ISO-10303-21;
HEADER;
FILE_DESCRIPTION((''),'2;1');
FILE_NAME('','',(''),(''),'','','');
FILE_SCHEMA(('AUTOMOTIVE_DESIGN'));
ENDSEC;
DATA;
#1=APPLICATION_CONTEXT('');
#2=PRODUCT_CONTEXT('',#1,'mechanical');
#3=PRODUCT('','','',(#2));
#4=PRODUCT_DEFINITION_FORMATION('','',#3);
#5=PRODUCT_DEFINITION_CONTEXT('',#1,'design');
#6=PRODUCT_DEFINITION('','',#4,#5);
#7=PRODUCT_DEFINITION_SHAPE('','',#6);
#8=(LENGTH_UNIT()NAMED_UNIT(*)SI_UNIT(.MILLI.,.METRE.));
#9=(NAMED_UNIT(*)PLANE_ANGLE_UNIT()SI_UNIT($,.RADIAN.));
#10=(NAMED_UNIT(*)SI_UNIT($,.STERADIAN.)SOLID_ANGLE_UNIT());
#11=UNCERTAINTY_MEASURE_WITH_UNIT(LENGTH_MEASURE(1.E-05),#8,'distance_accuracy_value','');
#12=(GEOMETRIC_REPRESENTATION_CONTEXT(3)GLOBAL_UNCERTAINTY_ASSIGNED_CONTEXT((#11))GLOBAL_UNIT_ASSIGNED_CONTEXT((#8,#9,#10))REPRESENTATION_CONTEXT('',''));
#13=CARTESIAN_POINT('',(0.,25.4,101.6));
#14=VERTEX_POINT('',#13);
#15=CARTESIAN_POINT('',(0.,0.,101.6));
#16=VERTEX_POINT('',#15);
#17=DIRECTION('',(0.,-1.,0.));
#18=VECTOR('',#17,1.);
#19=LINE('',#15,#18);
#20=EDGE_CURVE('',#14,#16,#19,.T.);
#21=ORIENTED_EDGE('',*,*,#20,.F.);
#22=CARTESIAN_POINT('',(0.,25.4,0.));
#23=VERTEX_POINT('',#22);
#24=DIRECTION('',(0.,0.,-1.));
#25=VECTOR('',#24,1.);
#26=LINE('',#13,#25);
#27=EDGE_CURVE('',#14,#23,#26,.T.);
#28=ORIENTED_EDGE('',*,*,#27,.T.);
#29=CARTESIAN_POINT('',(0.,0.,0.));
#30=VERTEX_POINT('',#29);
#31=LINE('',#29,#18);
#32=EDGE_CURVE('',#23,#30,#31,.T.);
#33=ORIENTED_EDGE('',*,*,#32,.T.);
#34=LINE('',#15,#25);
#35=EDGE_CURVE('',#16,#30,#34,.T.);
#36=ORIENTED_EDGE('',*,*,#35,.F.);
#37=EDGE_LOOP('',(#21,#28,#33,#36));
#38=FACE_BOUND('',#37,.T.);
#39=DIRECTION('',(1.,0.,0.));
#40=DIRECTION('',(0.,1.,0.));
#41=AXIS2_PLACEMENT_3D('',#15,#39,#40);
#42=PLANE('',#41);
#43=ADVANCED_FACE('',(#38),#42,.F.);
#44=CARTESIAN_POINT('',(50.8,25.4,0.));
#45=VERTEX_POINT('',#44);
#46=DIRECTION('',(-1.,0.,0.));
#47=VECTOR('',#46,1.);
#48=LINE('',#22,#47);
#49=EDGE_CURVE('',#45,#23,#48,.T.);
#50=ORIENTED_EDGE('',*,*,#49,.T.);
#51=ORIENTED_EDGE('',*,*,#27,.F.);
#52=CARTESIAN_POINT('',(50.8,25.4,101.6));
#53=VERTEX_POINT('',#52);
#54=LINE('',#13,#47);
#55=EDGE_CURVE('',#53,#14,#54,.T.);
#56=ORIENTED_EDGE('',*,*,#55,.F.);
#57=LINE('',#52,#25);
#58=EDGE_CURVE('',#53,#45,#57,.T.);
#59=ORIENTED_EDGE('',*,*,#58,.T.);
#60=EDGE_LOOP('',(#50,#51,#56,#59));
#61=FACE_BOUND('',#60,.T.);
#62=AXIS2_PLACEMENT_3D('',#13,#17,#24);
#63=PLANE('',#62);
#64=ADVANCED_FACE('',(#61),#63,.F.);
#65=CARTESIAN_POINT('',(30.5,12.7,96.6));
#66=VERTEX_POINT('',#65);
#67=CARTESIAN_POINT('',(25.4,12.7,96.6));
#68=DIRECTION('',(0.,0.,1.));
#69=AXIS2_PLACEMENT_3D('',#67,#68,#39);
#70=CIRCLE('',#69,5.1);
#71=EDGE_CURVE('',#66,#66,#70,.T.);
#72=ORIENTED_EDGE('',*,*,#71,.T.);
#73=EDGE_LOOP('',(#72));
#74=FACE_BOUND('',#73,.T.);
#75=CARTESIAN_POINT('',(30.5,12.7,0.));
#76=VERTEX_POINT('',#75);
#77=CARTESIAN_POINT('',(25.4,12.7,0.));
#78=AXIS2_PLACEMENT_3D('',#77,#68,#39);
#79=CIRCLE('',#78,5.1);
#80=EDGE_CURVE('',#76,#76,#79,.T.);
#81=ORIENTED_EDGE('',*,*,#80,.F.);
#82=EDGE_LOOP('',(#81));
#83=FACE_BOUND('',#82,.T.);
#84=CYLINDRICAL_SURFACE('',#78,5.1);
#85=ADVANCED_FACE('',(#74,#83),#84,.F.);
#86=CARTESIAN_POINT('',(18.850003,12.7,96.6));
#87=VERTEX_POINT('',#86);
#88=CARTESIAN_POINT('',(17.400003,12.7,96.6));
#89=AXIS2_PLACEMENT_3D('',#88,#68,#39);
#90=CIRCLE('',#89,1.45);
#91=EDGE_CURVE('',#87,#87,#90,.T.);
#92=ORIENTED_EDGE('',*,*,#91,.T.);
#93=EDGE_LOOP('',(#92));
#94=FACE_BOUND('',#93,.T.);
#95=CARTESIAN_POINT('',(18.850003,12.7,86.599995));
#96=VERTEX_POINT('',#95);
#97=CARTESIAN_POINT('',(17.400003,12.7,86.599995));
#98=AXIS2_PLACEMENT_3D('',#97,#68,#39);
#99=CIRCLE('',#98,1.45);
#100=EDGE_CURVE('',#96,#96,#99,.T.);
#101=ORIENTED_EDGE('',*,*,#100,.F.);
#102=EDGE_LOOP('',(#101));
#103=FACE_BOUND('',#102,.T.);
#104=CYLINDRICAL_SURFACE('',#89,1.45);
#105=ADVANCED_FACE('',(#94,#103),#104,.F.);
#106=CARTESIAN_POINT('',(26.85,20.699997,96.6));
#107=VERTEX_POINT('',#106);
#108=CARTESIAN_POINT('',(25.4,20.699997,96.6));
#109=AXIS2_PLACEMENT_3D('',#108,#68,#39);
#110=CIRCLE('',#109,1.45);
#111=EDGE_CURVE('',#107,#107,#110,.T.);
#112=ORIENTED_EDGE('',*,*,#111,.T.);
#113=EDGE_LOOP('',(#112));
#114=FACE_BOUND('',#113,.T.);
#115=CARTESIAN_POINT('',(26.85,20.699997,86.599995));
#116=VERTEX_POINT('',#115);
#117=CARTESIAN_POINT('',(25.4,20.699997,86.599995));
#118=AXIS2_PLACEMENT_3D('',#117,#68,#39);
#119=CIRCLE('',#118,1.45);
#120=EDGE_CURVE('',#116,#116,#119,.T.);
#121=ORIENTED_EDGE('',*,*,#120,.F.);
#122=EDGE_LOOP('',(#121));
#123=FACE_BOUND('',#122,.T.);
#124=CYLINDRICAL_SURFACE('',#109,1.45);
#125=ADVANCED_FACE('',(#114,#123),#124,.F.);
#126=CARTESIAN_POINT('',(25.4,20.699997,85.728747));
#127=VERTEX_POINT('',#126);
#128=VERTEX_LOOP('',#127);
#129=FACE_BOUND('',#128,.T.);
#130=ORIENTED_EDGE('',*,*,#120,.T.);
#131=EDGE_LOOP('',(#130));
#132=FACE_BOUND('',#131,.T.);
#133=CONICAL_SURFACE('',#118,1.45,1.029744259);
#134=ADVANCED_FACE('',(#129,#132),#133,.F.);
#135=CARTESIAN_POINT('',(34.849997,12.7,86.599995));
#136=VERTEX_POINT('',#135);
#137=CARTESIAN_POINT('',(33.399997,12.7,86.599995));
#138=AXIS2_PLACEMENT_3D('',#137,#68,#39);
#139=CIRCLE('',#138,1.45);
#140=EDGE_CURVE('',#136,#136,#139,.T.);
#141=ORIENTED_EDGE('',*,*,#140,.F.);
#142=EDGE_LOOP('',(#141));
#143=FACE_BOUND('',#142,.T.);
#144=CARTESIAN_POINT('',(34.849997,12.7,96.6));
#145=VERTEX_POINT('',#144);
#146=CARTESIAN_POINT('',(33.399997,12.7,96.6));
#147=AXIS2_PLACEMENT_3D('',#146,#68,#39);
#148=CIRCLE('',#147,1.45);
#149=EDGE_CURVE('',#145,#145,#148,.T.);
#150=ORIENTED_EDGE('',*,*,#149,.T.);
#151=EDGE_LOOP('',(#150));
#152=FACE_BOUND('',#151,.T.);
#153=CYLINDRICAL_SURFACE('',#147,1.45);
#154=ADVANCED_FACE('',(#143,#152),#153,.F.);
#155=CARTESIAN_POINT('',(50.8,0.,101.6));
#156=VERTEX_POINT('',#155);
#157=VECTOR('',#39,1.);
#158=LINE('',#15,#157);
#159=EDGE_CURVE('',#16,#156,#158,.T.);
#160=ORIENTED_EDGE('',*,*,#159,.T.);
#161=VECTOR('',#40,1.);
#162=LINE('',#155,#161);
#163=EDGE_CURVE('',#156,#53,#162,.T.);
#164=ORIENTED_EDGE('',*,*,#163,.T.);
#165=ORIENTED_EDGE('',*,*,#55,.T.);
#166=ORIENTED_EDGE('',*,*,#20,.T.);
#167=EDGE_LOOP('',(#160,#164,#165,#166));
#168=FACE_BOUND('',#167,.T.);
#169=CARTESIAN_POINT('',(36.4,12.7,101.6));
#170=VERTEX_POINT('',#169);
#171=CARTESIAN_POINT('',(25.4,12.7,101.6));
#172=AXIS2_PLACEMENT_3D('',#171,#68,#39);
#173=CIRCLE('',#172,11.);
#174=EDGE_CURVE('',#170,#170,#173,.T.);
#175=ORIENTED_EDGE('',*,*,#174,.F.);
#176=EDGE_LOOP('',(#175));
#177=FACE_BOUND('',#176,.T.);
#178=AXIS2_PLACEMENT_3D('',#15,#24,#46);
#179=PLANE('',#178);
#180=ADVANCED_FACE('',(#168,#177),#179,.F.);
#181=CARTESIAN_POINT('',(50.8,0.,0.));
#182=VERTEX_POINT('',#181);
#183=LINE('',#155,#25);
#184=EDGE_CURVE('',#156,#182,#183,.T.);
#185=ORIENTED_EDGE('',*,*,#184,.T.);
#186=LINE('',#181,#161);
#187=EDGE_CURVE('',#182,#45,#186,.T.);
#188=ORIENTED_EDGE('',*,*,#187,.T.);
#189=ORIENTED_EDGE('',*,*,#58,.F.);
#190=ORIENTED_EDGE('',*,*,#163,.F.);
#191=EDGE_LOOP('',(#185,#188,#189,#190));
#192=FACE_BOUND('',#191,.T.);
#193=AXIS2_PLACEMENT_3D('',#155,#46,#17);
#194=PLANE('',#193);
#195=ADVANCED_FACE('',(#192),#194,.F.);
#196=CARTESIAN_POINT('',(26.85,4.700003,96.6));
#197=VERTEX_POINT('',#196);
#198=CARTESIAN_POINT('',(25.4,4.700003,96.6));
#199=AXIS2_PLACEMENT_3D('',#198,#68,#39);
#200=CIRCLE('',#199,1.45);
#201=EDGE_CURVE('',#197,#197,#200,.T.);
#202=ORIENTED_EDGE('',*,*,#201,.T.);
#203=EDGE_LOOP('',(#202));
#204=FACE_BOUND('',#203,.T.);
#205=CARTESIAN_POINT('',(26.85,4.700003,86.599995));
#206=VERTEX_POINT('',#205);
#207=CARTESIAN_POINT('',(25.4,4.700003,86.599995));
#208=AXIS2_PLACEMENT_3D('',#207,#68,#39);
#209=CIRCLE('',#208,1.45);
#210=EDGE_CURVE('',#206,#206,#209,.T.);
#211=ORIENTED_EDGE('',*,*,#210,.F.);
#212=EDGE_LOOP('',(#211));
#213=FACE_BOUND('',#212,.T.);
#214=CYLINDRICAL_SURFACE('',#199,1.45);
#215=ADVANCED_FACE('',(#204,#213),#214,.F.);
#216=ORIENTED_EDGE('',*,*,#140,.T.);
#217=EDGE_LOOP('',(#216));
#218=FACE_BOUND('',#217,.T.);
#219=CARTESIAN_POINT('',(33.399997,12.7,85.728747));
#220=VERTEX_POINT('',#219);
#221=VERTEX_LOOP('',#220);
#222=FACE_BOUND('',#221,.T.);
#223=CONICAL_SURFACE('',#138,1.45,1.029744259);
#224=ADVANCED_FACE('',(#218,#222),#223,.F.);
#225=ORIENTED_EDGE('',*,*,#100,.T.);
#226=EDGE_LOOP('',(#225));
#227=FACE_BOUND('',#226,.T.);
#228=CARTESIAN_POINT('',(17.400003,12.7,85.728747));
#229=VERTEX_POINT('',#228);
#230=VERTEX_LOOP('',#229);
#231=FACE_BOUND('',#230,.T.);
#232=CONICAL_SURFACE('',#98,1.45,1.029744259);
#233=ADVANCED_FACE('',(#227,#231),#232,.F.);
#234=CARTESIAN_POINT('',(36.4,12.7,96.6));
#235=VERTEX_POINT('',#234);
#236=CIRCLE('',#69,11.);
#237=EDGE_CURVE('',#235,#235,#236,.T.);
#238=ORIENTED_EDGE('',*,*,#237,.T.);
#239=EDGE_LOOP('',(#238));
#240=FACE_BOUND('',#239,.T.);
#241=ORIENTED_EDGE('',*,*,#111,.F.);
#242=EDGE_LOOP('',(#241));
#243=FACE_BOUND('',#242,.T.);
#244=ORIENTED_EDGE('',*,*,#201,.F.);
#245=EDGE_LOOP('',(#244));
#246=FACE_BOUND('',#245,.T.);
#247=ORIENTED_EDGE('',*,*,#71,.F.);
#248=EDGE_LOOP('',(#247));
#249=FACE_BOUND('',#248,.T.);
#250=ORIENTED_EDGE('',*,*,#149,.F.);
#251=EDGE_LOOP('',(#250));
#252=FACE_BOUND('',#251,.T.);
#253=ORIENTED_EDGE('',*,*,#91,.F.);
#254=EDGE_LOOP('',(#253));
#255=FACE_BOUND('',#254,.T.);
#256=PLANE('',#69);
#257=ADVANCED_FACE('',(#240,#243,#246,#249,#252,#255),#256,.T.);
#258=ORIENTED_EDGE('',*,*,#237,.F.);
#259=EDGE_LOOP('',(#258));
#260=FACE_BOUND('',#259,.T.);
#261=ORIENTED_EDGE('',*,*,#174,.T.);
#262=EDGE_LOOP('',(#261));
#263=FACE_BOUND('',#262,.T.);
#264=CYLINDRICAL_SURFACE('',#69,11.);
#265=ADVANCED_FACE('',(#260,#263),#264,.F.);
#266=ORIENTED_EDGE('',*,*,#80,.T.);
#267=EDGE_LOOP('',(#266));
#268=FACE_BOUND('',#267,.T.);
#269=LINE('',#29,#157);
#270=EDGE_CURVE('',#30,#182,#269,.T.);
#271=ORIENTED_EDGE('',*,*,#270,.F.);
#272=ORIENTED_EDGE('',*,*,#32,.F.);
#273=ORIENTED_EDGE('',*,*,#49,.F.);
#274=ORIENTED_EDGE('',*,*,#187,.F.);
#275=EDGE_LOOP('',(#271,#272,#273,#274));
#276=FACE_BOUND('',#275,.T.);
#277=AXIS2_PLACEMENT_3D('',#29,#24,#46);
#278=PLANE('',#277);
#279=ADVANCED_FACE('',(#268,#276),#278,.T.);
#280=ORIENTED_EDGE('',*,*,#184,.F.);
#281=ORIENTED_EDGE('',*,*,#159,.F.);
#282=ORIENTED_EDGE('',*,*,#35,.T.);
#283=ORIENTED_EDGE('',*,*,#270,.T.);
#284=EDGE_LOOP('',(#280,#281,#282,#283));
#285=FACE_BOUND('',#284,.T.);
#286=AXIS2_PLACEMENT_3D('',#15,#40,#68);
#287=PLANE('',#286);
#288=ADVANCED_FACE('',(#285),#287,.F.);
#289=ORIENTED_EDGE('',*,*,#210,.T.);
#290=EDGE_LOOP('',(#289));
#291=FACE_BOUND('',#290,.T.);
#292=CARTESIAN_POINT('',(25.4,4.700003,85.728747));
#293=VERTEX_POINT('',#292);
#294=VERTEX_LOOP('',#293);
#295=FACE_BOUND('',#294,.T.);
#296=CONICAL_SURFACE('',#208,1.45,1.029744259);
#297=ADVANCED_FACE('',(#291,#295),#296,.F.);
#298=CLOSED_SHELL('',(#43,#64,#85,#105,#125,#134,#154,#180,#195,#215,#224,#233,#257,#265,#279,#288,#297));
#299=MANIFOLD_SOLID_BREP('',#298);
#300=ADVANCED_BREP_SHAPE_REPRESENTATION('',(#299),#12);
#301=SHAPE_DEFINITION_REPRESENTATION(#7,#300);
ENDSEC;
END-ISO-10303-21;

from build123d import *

# Parameters (mm, degrees)
SKETCH1_W                  = 50.8
SKETCH1_H                  = 25.4
BASE_DEPTH                 = 101.6
SKETCH2_R                  = 10.999999971
LEADNUT_FLANGE_INSET_DEPTH = 4.999999906
SKETCH3_R                  = 5.09999996
LEADNUT_THROUGH_HOLE_DEPTH = 113.059627066
LEADNUT_HOLE_PATTERN_D     = 2.9
LEADNUT_HOLE_PATTERN_DEPTH = 10.0000054
LEADNUT_HOLE_PATTERN_TIP   = 0.871247898


with BuildPart() as part:
    # Sketch1 → base (new body)
    with BuildSketch(Plane.XY):
        with Locations((25.4, 12.7)):
            Rectangle(SKETCH1_W, SKETCH1_H)
    extrude(amount=BASE_DEPTH)

    # Sketch2 → leadnut_flange_inset (cut)
    with BuildSketch(Plane.XY.offset(101.6)):
        with Locations((25.4, 12.7)):
            Circle(SKETCH2_R)
    extrude(amount=-LEADNUT_FLANGE_INSET_DEPTH, mode=Mode.SUBTRACT)

    # Sketch3 → leadnut_through_hole (cut, through all)
    with BuildSketch(Plane.XY.offset(96.600000094)):
        with Locations((25.4, 12.7)):
            Circle(SKETCH3_R)
    extrude(amount=-LEADNUT_THROUGH_HOLE_DEPTH, mode=Mode.SUBTRACT)

    # leadnut_hole_pattern
    with Locations(Plane.XY.offset(96.600000094)):
        with Locations((25.4, 12.7), (25.4, 20.6999967), (17.4000033, 12.7), (25.4, 4.7000033), (33.3999967, 12.7)):
            Hole(LEADNUT_HOLE_PATTERN_D / 2, depth=LEADNUT_HOLE_PATTERN_DEPTH)
            with Locations((0, 0, -(LEADNUT_HOLE_PATTERN_DEPTH + LEADNUT_HOLE_PATTERN_TIP / 2))):  # 118° drill point
                Cone(0, LEADNUT_HOLE_PATTERN_D / 2, LEADNUT_HOLE_PATTERN_TIP, mode=Mode.SUBTRACT)


solid = part.part
